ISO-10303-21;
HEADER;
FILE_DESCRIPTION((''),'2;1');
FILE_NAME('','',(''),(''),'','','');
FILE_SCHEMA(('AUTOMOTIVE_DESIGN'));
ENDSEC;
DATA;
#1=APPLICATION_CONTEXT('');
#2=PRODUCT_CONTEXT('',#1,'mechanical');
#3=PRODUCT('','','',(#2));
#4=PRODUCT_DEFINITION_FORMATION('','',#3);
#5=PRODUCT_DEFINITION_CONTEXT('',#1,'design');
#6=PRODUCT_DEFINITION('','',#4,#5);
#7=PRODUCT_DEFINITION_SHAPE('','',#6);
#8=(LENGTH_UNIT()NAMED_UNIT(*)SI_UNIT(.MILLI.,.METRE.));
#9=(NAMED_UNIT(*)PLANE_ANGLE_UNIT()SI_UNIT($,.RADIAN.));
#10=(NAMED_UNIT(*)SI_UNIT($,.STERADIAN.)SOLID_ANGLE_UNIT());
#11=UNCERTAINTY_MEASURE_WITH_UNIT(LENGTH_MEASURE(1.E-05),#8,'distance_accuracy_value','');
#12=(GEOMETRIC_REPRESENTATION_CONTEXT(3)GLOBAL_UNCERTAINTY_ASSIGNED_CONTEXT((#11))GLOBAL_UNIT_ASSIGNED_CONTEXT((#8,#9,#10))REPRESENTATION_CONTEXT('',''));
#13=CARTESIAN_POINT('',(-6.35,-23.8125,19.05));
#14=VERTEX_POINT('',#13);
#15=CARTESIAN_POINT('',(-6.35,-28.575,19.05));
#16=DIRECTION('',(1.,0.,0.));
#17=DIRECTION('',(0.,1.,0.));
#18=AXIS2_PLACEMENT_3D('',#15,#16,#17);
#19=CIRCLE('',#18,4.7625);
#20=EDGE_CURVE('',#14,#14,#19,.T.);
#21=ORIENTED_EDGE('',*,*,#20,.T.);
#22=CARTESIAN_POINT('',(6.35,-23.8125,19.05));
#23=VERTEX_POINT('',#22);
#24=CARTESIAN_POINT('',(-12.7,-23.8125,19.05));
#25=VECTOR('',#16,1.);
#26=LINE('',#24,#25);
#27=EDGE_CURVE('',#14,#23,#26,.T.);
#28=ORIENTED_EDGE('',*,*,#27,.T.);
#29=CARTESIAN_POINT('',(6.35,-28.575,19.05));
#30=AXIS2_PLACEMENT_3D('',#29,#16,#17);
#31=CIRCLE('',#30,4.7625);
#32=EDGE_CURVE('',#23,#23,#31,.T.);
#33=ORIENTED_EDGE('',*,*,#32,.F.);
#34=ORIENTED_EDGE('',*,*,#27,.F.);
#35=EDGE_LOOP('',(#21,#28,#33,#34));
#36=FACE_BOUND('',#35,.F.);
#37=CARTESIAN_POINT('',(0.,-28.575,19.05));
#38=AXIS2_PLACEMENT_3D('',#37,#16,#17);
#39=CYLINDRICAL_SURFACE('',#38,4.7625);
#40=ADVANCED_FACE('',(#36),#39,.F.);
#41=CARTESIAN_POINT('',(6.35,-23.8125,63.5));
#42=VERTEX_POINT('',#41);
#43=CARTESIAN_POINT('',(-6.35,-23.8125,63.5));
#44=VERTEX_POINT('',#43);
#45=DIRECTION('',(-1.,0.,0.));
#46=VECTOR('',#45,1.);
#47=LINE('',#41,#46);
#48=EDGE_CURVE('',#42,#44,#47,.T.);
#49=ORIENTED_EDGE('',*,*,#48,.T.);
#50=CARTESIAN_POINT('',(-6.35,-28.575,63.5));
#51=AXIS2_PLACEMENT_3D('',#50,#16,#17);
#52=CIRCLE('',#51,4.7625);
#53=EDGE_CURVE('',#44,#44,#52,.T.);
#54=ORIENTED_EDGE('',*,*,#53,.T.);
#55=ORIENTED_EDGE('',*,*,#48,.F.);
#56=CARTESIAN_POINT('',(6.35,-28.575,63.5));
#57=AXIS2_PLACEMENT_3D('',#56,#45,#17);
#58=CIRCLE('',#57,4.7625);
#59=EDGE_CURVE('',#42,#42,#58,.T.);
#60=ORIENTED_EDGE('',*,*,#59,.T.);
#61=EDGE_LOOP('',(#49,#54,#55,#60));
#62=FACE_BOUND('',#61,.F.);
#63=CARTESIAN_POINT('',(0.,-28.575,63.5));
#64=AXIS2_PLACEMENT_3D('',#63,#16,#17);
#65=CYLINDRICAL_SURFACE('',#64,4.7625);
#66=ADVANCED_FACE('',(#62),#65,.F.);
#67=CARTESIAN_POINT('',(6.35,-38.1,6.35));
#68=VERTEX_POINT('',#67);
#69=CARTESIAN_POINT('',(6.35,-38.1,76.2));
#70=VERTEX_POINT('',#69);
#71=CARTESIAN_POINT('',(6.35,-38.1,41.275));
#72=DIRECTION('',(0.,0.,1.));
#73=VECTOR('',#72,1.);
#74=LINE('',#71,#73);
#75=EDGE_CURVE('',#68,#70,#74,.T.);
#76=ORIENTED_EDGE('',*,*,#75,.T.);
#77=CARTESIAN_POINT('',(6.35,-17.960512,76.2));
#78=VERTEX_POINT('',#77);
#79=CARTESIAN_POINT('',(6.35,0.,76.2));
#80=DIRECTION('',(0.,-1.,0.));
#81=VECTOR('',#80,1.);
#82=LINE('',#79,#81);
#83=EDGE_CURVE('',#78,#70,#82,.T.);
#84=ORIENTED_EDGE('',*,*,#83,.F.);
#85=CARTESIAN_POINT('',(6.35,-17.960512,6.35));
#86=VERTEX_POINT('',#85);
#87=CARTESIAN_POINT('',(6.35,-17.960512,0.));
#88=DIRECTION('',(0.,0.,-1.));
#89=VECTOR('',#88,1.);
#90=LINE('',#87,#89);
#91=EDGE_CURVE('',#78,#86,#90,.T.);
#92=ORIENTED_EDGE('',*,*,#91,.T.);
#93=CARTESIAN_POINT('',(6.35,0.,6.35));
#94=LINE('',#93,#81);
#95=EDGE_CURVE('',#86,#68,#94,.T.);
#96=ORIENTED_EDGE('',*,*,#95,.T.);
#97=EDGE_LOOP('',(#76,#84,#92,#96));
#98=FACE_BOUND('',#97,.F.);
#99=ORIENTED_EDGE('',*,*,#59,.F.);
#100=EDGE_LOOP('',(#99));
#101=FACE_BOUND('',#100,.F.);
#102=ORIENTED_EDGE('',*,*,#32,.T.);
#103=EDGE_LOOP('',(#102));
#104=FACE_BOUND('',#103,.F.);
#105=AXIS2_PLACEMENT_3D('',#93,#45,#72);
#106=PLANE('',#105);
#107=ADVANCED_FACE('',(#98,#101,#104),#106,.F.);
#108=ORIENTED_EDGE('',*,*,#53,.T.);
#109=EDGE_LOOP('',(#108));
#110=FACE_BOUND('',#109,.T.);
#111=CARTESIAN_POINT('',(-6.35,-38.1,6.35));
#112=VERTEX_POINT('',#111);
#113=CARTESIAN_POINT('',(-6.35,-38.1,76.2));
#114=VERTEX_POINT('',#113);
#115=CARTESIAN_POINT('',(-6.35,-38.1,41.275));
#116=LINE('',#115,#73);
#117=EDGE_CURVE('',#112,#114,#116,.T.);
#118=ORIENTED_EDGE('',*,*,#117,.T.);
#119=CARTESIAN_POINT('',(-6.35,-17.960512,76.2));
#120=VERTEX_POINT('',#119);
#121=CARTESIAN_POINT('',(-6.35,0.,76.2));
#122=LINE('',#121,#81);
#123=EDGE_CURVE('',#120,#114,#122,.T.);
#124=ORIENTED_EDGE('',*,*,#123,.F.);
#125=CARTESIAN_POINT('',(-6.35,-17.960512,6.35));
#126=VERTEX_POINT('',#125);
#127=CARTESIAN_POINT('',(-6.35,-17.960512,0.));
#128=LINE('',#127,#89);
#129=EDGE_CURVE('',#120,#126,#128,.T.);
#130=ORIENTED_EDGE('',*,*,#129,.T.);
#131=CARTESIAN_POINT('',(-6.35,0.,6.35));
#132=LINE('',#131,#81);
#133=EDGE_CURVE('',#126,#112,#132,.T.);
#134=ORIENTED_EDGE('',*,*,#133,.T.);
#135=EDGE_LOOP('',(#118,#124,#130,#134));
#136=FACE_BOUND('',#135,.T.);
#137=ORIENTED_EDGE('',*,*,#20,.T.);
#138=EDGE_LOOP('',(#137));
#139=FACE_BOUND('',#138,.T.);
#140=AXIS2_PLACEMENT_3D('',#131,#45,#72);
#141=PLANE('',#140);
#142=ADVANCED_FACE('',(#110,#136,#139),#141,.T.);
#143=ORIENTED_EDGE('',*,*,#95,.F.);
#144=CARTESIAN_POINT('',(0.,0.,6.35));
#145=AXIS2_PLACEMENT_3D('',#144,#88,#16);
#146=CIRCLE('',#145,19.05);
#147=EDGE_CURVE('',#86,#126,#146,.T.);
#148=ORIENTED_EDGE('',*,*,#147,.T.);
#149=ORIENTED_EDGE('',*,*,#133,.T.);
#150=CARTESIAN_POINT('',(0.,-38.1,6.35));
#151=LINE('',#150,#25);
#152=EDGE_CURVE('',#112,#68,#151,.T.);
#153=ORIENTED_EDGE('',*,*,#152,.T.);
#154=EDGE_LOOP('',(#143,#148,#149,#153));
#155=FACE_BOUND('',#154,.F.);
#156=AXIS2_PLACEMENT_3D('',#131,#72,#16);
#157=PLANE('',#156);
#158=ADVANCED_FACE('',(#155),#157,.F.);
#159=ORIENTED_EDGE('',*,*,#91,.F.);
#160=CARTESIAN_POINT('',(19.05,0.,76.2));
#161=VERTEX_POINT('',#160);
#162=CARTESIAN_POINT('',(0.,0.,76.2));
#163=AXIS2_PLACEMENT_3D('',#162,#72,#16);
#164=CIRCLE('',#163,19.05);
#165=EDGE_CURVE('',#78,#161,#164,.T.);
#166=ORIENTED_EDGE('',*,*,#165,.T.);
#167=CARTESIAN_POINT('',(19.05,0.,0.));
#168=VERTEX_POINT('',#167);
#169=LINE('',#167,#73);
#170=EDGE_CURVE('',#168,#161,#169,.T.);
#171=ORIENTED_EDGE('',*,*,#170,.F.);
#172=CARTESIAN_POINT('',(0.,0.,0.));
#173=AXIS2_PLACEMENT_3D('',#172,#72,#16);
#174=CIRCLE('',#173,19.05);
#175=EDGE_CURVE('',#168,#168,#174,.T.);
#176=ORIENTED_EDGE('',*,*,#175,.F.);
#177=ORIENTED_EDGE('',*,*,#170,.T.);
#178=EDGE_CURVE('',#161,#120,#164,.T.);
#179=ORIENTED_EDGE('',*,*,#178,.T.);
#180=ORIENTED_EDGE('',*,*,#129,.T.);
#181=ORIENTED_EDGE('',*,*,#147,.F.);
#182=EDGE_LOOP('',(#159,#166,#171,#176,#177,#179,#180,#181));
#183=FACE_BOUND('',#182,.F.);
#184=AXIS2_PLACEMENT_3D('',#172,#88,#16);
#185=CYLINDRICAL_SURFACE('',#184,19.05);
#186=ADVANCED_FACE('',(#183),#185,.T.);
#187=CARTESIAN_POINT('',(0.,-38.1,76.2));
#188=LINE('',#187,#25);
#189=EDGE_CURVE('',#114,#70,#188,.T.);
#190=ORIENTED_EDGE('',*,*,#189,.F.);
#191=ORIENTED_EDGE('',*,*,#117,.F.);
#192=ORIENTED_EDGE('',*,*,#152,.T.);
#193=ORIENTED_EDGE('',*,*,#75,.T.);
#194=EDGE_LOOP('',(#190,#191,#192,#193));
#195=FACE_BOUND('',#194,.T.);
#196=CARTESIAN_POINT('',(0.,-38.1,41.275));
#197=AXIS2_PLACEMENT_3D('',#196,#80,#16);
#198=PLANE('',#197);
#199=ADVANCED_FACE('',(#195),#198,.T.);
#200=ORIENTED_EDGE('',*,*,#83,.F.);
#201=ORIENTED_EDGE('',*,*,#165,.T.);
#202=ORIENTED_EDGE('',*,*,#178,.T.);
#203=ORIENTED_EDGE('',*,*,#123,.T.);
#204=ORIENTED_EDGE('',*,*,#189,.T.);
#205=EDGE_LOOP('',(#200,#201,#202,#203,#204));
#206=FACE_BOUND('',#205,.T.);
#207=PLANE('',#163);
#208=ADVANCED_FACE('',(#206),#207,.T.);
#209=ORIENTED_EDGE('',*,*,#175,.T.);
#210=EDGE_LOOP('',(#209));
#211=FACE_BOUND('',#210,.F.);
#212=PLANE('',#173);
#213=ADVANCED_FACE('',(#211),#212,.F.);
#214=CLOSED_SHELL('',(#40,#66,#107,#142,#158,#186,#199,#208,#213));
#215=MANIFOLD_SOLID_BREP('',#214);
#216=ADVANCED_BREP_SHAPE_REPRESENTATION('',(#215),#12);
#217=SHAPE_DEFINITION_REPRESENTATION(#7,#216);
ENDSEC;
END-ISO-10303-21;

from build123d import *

# Parameters (mm, degrees)
F0_R     = 19.05
F1_DEPTH = 76.2
F2_W     = 12.7
F2_H     = 69.85
F3_DEPTH = 38.1
F4_R     = 4.7625
F5_DEPTH = 12.7


with BuildPart() as f1:
    # F0 (on Top) → F1 (new body)
    with BuildSketch(Plane.XY):
        Circle(F0_R)
    extrude(amount=F1_DEPTH)

    # F2 (on Front) → F3 (join)
    with BuildSketch(Plane.XZ):
        with Locations((0, 41.275)):
            Rectangle(F2_W, F2_H)
    extrude(amount=F3_DEPTH)

    # F4 (on Right) → F5 (cut, symmetric)
    with BuildSketch(Plane.YZ):
        with Locations((-28.575, 63.5)):
            Circle(F4_R)
        with Locations((-28.575, 19.05)):
            Circle(F4_R)
    extrude(amount=F5_DEPTH, both=True, mode=Mode.SUBTRACT)


solid = f1.part
